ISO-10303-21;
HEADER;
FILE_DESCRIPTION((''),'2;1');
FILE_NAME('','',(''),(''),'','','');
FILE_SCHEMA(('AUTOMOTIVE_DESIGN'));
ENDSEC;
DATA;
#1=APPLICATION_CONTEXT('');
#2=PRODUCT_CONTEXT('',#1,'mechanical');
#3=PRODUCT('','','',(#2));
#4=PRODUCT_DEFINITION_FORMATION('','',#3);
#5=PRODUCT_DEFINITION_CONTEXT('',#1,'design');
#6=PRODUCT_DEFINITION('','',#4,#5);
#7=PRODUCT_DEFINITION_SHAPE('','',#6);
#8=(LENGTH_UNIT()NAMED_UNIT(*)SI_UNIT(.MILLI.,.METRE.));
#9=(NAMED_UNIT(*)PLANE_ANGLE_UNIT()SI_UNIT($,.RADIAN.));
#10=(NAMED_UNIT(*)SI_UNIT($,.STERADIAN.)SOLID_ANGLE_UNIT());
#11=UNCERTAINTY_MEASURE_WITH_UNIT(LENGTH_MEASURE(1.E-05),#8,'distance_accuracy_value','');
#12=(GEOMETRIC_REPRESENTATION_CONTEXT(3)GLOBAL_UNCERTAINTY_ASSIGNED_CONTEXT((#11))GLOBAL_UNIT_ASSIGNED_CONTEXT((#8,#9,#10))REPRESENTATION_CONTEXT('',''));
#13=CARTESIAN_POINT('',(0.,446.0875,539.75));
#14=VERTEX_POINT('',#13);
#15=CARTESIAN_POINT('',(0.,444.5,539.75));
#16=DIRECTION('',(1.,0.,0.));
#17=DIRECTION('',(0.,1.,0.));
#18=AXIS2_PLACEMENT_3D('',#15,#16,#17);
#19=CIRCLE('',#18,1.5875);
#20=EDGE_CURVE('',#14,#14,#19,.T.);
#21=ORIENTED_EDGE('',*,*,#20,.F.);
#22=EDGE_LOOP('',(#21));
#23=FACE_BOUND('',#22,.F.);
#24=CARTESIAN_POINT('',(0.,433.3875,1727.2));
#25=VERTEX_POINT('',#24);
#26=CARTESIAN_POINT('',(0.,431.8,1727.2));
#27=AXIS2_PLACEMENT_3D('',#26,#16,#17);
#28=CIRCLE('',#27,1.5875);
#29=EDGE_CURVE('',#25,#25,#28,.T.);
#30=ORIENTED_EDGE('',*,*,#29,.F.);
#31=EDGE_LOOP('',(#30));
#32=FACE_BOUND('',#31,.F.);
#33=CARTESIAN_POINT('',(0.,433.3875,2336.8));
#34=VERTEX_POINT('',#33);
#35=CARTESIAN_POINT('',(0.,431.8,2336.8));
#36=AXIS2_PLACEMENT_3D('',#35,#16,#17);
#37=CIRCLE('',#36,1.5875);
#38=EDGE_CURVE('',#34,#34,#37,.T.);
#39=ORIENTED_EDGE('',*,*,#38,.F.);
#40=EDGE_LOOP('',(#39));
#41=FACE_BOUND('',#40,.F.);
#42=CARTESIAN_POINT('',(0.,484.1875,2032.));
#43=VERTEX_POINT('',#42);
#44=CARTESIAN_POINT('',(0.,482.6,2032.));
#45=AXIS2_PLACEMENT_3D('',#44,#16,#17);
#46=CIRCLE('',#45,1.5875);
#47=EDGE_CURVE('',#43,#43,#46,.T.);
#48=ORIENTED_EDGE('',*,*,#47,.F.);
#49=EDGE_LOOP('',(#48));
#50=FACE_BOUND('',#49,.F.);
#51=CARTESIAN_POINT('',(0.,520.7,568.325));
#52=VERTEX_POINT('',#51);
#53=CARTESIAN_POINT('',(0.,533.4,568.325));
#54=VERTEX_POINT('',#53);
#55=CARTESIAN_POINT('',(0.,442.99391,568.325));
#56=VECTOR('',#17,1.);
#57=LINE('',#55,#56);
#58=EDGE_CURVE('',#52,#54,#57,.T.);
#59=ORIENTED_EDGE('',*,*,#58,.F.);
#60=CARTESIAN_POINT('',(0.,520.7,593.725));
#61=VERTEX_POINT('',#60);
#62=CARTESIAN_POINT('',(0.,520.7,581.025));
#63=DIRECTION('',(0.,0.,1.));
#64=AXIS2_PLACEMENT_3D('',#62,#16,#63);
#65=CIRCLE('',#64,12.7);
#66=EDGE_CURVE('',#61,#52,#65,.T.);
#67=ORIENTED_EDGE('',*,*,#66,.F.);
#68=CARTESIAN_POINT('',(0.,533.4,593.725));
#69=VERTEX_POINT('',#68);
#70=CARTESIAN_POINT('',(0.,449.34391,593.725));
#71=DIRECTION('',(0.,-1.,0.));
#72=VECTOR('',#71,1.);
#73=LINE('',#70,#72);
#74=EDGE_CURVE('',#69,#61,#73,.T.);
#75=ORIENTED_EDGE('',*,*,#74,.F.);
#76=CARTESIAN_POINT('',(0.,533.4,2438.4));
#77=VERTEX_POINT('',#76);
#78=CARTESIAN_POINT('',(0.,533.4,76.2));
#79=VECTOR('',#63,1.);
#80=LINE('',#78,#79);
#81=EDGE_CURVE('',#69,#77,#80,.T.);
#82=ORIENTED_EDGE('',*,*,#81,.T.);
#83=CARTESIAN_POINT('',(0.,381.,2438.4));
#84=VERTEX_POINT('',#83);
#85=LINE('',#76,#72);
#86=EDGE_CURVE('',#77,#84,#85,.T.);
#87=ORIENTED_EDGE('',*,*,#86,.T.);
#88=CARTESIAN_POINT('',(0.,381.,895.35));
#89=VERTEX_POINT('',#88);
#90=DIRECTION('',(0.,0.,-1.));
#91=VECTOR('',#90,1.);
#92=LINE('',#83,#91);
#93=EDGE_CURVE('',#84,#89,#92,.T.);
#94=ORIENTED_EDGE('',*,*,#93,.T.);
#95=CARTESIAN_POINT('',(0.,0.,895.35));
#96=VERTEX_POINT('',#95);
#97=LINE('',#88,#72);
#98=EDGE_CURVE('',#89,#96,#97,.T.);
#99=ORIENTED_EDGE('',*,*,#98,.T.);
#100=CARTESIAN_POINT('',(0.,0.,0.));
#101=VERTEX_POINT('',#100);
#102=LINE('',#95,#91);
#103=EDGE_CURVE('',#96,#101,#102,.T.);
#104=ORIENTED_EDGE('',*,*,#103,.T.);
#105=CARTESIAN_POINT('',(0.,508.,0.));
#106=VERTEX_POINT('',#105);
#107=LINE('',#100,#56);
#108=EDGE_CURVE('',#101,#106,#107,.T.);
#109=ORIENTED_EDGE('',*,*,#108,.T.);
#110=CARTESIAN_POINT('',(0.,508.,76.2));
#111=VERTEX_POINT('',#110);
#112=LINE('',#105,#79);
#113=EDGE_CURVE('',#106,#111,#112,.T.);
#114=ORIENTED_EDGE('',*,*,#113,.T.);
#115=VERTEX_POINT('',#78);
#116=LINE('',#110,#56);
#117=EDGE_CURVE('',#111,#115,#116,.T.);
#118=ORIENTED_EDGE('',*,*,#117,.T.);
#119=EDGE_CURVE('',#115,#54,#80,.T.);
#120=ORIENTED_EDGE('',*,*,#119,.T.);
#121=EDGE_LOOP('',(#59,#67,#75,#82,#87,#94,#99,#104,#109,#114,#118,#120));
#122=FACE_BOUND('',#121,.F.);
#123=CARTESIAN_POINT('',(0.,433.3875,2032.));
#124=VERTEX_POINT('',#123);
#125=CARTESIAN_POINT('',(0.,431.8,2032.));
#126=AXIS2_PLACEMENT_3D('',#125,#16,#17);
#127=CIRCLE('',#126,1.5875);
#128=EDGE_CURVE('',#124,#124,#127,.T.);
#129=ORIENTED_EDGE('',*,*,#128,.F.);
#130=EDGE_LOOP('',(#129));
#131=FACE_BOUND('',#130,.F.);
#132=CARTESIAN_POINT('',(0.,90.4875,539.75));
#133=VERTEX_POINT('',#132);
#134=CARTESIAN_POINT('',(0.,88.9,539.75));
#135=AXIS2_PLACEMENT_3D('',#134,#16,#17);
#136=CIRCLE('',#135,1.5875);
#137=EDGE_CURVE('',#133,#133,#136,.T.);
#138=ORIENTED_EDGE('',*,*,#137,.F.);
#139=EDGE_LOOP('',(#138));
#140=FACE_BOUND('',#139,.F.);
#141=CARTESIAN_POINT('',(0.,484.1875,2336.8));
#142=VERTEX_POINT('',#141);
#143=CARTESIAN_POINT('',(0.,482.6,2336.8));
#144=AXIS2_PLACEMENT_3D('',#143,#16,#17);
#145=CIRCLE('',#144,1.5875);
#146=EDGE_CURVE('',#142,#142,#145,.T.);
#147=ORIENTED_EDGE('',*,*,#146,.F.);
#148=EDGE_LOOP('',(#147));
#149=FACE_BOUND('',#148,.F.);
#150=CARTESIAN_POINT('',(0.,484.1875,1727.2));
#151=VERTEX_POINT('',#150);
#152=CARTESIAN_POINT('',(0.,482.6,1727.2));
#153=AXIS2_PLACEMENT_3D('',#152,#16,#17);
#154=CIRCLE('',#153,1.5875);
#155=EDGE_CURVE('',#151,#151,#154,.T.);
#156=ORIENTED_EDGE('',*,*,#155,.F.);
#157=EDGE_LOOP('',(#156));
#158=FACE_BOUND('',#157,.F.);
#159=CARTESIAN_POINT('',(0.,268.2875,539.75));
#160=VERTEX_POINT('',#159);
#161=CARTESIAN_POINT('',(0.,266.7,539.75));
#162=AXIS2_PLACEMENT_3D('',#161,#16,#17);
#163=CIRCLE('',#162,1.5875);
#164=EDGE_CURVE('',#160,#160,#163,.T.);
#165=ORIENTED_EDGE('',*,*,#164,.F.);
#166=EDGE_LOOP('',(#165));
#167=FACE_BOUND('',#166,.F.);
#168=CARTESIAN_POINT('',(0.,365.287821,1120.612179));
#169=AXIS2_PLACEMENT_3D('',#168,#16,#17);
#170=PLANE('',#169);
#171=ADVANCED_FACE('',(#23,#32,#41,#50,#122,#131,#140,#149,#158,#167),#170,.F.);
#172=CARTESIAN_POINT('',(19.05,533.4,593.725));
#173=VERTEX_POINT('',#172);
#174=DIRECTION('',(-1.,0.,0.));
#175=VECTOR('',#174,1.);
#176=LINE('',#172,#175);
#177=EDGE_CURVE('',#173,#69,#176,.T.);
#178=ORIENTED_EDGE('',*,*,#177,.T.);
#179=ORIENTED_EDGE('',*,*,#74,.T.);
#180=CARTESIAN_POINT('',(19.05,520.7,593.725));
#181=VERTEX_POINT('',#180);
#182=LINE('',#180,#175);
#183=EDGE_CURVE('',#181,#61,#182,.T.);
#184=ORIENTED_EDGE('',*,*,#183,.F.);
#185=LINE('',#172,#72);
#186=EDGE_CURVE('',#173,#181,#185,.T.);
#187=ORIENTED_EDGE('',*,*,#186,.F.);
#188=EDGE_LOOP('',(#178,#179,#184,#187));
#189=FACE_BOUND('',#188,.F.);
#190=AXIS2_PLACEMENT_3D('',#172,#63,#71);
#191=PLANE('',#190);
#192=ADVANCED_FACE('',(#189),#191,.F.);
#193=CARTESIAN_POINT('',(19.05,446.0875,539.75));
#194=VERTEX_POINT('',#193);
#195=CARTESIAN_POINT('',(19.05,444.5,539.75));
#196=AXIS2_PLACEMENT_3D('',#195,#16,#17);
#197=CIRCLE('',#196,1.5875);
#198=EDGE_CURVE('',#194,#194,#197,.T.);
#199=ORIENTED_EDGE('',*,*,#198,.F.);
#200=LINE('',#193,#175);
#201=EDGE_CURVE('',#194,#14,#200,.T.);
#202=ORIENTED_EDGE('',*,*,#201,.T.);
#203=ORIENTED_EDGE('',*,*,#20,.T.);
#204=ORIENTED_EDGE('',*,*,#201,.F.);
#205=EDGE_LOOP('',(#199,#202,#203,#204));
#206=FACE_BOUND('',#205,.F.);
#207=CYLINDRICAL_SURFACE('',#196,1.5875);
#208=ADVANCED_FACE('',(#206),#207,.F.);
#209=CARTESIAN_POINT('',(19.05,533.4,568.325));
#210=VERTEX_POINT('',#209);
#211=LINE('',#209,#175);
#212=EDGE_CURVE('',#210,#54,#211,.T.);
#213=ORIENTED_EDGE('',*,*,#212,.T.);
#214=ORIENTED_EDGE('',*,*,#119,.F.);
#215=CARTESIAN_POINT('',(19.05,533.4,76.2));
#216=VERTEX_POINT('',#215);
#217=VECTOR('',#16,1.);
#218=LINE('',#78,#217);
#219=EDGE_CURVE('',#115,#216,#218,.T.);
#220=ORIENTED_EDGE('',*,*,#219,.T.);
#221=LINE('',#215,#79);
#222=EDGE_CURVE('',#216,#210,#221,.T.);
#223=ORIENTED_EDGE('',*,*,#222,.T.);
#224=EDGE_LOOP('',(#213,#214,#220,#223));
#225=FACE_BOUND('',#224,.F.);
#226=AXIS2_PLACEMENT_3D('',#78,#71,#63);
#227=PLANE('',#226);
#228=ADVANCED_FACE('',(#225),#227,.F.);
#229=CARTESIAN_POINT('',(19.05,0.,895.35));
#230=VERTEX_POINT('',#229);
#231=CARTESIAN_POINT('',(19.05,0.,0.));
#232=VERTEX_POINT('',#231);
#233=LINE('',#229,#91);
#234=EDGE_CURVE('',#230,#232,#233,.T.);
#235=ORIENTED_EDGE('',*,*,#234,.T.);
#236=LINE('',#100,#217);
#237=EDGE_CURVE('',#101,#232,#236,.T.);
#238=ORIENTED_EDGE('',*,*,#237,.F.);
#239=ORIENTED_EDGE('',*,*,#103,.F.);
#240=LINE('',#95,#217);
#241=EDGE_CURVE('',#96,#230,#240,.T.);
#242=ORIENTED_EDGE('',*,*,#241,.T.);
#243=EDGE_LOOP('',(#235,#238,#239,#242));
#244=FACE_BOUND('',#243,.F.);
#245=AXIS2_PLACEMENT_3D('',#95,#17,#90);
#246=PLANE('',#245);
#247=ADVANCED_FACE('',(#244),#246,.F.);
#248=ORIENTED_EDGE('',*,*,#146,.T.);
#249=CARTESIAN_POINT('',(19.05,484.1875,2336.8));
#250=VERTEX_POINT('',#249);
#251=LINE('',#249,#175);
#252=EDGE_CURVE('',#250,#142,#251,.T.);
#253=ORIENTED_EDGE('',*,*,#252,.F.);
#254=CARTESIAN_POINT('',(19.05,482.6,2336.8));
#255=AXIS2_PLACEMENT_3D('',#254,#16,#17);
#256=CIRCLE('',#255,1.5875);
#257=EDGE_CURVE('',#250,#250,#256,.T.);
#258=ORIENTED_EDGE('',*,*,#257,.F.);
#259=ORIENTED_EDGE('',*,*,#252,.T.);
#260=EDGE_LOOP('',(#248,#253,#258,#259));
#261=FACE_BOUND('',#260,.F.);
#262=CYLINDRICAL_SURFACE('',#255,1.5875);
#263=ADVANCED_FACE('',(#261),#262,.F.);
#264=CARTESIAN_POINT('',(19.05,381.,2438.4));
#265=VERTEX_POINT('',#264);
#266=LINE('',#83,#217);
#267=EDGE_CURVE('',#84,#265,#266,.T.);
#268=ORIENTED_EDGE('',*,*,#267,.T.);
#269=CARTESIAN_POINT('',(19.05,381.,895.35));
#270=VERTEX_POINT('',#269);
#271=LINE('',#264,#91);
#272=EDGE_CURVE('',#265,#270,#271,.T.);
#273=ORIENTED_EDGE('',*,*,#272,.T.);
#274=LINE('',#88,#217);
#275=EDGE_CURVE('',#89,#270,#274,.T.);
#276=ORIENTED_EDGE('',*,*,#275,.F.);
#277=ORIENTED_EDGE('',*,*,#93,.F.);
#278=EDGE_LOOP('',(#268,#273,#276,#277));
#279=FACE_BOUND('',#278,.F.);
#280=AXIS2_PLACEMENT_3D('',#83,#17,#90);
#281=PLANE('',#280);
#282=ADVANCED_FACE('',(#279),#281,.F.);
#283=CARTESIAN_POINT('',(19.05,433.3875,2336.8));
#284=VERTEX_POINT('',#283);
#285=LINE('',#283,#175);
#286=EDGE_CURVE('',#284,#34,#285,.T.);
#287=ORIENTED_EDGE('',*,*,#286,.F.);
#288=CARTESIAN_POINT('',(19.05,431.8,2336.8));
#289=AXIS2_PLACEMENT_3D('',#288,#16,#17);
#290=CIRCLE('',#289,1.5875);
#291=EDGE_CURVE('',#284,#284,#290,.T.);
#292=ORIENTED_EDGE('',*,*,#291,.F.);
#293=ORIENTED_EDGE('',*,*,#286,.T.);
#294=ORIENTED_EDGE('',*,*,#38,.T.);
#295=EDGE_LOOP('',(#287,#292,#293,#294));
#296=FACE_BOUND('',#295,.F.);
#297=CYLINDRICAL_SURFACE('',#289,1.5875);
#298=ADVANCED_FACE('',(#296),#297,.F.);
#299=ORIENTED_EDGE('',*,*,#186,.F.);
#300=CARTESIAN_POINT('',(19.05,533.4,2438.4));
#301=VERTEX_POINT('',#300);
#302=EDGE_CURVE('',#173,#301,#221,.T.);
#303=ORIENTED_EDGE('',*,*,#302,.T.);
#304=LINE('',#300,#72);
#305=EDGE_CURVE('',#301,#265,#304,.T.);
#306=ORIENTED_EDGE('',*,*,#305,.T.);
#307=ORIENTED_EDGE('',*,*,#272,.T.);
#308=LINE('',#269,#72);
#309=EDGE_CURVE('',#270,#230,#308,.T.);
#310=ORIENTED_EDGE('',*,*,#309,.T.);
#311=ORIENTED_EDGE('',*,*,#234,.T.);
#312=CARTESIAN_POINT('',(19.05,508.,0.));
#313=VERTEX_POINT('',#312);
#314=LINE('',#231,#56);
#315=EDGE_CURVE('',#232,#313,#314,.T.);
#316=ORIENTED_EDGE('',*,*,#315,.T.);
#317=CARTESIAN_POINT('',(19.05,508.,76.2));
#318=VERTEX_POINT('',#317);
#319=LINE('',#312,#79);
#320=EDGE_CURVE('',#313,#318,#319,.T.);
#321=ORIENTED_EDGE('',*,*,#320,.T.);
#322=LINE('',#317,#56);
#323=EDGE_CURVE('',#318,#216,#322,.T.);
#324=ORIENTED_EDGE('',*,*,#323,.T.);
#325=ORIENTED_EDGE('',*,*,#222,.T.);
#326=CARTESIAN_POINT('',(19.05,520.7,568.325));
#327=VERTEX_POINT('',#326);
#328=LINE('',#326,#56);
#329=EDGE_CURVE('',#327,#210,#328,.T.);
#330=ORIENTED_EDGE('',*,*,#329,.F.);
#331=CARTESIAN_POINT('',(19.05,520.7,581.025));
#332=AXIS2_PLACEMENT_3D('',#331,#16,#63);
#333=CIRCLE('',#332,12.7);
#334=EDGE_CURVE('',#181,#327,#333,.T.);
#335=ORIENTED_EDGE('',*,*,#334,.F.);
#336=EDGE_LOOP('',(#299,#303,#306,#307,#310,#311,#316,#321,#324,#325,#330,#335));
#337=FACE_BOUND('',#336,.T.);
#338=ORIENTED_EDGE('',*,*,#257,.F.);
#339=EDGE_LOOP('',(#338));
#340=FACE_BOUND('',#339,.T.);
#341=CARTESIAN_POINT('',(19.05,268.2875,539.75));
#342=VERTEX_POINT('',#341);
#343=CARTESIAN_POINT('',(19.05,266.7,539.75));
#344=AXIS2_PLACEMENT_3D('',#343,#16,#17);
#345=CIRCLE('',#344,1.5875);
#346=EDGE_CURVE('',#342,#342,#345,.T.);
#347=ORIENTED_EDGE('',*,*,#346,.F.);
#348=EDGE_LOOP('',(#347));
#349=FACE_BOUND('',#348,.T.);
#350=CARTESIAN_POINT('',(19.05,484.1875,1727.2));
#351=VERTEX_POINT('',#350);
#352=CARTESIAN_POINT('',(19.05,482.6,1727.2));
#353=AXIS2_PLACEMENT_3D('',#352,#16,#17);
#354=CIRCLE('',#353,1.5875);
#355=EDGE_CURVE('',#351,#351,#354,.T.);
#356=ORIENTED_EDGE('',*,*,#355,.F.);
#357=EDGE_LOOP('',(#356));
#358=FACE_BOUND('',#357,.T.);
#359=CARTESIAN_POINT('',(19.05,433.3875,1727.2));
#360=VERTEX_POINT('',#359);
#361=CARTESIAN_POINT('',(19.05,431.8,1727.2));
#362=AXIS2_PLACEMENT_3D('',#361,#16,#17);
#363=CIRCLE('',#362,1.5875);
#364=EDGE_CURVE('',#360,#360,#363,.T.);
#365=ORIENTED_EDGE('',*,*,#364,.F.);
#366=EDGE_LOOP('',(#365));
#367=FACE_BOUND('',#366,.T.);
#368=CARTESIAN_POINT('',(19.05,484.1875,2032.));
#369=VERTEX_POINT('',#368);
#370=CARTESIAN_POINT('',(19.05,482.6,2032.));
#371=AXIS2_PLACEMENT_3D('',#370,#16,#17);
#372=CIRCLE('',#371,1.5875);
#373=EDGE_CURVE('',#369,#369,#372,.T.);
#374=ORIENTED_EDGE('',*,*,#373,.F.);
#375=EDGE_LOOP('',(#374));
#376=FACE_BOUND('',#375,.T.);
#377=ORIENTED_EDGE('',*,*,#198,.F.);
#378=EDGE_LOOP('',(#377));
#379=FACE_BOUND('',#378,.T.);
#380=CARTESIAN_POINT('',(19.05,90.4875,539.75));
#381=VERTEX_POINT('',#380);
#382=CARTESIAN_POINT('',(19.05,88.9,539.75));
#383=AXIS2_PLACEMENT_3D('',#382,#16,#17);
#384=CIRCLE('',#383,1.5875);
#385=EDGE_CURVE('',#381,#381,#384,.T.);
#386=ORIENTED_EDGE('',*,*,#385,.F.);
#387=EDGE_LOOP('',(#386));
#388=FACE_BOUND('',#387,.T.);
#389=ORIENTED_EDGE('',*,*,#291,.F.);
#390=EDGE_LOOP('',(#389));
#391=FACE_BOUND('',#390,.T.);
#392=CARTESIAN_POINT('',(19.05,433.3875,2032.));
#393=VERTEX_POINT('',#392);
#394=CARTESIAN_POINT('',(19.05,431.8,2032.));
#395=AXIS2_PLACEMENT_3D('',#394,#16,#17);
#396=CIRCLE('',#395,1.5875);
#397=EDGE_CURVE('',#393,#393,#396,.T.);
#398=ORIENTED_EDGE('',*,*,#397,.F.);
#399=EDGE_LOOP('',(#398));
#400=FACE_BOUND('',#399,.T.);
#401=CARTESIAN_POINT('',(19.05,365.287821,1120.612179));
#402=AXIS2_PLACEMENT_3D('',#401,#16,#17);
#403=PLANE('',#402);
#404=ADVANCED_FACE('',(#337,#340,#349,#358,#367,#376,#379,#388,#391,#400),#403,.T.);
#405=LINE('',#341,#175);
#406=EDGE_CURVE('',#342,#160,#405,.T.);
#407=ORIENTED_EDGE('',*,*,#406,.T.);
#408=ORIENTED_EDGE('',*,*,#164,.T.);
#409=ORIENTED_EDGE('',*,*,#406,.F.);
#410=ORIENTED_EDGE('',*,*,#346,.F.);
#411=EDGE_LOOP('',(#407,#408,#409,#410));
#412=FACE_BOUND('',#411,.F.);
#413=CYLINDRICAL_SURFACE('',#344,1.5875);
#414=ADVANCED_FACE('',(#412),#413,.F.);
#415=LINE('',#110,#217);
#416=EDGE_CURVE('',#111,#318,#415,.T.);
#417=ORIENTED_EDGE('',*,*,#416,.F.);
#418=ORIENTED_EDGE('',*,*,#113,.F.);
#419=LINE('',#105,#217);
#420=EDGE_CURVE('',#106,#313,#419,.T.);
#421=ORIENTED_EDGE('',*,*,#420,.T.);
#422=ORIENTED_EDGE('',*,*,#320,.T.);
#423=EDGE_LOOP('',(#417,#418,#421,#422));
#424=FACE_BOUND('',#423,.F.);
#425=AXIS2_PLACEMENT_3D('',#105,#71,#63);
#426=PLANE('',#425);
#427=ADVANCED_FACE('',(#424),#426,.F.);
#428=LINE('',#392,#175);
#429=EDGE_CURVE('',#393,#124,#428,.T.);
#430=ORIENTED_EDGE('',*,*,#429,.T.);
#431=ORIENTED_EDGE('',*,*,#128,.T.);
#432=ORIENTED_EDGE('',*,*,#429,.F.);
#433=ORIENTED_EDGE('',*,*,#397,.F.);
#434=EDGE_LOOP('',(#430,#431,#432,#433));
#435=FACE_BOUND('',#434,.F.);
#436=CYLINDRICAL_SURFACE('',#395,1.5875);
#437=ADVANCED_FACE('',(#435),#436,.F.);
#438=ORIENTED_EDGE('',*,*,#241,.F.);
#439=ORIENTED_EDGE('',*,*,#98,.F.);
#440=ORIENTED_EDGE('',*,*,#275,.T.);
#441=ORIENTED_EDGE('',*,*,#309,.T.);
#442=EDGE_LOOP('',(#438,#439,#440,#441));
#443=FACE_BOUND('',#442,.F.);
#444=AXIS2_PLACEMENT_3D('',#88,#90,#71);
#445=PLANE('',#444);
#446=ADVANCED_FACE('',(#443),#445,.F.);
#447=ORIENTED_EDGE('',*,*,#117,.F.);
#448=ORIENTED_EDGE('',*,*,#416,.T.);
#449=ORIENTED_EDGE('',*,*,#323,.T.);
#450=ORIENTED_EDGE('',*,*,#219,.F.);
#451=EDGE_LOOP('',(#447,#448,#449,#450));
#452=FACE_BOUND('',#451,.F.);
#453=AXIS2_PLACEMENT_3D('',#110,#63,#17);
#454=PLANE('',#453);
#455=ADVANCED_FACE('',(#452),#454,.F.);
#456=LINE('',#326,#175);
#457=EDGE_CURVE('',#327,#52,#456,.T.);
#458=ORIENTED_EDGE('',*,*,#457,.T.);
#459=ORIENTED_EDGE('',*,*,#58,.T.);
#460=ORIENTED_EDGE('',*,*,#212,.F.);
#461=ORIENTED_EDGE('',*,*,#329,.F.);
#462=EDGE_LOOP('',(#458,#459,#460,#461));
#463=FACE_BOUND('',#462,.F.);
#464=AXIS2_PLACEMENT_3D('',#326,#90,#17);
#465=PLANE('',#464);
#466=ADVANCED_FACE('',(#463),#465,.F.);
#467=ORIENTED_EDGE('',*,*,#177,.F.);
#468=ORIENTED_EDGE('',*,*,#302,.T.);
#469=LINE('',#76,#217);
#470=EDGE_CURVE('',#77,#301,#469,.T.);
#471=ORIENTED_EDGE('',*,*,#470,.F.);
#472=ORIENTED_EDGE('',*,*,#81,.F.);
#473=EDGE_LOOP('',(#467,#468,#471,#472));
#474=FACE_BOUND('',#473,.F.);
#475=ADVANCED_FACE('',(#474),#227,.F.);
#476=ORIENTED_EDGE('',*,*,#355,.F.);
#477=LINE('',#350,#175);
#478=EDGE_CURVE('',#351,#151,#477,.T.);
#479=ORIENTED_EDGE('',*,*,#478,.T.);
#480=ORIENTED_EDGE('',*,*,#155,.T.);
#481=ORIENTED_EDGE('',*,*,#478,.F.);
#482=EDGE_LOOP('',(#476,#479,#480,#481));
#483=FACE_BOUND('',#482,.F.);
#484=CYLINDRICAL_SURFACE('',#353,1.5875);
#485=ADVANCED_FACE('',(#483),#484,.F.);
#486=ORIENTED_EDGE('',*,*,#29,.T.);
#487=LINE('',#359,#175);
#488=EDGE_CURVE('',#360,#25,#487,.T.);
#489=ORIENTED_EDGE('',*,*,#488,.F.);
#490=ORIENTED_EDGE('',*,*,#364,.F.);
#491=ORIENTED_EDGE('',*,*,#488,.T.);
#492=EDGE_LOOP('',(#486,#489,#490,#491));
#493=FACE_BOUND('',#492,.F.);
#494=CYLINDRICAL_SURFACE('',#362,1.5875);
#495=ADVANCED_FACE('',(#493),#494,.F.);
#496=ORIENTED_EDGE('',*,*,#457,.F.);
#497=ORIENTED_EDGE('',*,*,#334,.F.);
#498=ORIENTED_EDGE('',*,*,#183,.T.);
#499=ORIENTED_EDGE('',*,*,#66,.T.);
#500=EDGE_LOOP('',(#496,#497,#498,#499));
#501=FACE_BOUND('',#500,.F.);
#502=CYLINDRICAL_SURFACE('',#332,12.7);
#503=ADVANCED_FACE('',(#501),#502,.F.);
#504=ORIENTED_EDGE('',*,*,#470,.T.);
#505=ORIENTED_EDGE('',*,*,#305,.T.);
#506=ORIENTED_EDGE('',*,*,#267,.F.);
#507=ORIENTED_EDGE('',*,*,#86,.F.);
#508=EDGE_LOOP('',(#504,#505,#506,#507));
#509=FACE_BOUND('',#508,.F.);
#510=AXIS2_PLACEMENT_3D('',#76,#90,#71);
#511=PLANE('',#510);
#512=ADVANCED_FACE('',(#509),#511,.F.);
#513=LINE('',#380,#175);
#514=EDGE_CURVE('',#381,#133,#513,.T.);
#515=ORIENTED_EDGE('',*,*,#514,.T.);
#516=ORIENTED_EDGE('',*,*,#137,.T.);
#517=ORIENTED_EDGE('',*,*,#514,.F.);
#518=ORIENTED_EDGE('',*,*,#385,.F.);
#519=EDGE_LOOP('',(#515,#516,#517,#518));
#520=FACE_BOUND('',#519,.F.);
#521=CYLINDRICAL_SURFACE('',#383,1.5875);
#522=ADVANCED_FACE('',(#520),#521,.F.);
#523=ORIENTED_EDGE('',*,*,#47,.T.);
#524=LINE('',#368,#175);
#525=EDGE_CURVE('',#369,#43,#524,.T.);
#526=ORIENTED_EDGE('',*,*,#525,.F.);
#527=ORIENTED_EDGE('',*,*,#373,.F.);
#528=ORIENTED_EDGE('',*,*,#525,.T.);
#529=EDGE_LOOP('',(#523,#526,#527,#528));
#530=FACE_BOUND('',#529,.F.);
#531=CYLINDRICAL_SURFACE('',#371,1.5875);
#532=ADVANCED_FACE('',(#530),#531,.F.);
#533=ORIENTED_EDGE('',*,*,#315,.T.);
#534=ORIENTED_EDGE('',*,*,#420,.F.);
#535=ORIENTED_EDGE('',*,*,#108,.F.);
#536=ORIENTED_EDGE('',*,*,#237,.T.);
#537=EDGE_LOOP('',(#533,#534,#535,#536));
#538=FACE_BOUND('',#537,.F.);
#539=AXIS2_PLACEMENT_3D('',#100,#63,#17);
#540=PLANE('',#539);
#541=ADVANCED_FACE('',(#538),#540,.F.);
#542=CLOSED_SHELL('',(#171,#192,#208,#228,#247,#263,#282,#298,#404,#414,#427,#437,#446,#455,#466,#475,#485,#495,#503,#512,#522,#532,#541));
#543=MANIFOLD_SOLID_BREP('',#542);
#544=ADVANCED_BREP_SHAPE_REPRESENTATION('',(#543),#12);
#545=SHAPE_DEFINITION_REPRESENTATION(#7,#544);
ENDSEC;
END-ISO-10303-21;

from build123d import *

# Parameters (mm, degrees)
F1_DEPTH = 19.05
F2_R     = 1.5875
F3_DEPTH = 25.4


with BuildPart() as f1:
    # F0 (on Right) → F1 (new body)
    with BuildSketch(Plane.YZ):
        Polygon((0, 895.35), (0, 0), (508, 0), (508, 76.2), (533.4, 76.2), (533.4, 2438.4), (381, 2438.4), (381, 895.35), align=None)
    extrude(amount=F1_DEPTH)

    # F2 (on face) → F3 (cut)
    with BuildSketch(Plane.YZ.offset(19.05)):
        with Locations((431.8, 2336.8)):
            Circle(F2_R)
        with Locations((482.6, 2336.8)):
            Circle(F2_R)
        with Locations((431.8, 2032)):
            Circle(F2_R)
        with Locations((482.6, 2032)):
            Circle(F2_R)
        with Locations((431.8, 1727.2)):
            Circle(F2_R)
        with Locations((482.6, 1727.2)):
            Circle(F2_R)
        with Locations((88.9, 539.75)):
            Circle(F2_R)
        with Locations((266.7, 539.75)):
            Circle(F2_R)
        with Locations((444.5, 539.75)):
            Circle(F2_R)
        with BuildLine():
            Line((533.4, 593.725), (520.7, 593.725))
            ThreePointArc((520.7, 593.725), (508, 581.025), (520.7, 568.325))
            Line((520.7, 568.325), (533.4, 568.325))
            Line((533.4, 568.325), (533.4, 593.725))
        make_face()
    extrude(amount=-F3_DEPTH, mode=Mode.SUBTRACT)


solid = f1.part
